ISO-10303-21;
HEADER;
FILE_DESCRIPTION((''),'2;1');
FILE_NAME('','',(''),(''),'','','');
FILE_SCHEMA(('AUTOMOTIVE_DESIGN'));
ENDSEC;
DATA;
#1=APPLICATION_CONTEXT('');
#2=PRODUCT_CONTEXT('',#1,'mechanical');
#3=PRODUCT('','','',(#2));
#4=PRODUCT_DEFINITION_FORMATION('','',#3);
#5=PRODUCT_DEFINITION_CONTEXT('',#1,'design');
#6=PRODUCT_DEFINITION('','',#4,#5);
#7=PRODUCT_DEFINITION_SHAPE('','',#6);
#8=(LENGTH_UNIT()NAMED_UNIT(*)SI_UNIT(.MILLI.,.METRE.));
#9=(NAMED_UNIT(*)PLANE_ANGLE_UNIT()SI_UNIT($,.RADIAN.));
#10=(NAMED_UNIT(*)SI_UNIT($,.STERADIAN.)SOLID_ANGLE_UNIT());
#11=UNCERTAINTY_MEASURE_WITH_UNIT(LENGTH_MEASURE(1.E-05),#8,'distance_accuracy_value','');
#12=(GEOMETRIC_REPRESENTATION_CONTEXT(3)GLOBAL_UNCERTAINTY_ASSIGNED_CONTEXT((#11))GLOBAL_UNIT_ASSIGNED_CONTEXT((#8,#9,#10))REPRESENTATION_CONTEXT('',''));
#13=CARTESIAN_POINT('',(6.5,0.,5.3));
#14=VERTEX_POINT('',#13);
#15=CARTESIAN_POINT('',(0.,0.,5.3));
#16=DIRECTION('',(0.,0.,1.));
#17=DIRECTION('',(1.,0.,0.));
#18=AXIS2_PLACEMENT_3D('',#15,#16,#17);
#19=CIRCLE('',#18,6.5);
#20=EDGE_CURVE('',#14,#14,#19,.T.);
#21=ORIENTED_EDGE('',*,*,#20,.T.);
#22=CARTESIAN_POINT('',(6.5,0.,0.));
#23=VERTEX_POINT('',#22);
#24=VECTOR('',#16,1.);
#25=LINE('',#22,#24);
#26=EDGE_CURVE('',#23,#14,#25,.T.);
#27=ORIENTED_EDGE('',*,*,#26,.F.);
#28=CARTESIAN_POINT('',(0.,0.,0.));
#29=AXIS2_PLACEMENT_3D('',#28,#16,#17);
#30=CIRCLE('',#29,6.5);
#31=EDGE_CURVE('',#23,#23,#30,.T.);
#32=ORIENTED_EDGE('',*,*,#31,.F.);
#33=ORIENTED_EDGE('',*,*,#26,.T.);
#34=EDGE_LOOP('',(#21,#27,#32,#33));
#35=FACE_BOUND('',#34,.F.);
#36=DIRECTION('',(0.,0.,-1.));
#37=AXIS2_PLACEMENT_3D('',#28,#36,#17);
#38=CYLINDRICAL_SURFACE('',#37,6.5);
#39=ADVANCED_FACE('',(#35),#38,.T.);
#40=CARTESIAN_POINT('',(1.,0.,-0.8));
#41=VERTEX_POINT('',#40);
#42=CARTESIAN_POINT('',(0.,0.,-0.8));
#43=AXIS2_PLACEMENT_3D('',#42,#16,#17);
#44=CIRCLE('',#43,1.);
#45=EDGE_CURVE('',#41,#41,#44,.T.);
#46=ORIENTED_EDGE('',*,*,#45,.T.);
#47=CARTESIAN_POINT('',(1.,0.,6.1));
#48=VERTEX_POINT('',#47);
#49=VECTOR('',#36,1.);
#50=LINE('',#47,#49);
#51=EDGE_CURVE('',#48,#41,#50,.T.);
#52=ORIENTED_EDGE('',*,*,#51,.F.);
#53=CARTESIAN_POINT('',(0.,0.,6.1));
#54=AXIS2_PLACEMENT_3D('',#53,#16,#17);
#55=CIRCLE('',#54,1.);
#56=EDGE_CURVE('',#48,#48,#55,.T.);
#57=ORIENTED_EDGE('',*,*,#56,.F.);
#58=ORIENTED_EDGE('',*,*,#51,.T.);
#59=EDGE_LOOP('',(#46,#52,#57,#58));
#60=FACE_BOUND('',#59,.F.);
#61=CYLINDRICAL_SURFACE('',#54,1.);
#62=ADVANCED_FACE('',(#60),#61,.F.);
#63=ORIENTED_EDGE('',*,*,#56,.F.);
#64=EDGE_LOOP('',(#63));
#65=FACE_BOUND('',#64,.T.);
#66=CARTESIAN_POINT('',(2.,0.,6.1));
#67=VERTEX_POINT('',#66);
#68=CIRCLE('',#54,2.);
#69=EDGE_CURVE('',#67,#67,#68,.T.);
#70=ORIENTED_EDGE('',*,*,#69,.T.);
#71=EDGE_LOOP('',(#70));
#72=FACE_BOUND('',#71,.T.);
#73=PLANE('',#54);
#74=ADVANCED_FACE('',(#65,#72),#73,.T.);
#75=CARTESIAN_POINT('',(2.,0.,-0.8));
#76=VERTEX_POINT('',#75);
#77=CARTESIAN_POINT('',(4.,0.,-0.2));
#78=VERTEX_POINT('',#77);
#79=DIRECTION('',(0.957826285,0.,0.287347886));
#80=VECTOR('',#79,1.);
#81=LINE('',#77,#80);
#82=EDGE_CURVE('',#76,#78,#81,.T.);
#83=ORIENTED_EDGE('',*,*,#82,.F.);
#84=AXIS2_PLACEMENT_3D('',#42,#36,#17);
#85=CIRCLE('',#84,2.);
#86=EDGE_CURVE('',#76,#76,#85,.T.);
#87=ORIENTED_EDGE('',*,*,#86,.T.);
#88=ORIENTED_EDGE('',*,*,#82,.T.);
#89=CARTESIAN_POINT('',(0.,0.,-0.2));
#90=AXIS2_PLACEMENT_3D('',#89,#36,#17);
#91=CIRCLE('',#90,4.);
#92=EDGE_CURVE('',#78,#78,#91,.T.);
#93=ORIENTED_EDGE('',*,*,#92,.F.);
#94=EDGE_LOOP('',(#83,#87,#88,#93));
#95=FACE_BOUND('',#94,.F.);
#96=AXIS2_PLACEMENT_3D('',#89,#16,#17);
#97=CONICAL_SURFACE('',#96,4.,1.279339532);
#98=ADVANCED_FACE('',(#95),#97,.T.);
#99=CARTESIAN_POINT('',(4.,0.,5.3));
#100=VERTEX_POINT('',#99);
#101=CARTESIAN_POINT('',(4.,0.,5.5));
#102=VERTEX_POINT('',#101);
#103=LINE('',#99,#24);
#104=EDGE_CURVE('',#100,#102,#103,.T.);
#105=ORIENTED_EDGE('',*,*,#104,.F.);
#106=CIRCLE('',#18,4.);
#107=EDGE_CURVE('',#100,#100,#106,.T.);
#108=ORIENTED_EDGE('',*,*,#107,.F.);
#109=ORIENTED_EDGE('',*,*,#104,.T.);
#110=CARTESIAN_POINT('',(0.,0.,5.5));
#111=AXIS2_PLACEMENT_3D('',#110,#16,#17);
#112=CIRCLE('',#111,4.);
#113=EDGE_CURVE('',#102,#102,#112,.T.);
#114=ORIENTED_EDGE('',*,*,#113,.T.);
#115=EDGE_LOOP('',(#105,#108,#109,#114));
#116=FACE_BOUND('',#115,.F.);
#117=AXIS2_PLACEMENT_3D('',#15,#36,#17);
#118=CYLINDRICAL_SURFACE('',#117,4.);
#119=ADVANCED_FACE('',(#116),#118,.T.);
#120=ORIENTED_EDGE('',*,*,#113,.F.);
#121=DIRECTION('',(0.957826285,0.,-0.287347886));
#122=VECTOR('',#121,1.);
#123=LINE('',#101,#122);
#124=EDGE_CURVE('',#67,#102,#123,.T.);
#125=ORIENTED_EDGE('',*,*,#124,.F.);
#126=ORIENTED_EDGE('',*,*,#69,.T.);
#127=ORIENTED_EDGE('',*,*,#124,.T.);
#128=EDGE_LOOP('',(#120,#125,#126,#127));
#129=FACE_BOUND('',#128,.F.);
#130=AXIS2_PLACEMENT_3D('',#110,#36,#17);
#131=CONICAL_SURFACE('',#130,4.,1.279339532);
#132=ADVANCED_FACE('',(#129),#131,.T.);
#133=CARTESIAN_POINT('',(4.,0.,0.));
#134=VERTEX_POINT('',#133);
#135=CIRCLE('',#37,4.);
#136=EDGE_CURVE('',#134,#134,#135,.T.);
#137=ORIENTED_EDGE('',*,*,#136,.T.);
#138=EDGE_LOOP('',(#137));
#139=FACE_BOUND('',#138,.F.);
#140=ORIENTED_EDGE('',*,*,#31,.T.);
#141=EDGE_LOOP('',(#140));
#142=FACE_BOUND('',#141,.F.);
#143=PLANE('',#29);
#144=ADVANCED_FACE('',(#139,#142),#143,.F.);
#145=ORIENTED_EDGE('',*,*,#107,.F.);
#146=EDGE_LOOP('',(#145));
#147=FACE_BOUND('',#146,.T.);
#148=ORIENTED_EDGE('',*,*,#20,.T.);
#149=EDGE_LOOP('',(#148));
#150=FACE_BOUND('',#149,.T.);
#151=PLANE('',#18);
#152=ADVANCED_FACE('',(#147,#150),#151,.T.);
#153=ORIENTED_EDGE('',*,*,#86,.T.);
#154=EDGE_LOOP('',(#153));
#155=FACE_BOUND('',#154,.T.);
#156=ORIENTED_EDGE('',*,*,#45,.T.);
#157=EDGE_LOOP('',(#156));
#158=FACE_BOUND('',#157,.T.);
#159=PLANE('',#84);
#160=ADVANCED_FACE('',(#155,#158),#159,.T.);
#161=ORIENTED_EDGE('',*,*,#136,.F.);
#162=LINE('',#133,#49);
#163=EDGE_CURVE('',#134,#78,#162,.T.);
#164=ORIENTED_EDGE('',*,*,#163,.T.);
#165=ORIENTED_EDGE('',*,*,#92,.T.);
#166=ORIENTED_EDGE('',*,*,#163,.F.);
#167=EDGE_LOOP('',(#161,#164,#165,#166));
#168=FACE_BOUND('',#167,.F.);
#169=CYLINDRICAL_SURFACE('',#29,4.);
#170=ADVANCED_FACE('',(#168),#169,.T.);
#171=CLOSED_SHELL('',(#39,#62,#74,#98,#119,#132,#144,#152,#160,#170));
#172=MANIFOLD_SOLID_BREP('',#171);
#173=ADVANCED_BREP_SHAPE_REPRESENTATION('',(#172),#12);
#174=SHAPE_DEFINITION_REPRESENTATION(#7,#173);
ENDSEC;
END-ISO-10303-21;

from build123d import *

# Parameters (mm, degrees)
F0_R       = 6.5
F1_DEPTH   = 5.3
F2_R       = 4
F3_DEPTH   = 0.8
F4_R       = 4
F5_DEPTH   = 0.8
F6_SIZE2   = 0.6
F6_SIZE    = 2
F6_2_SIZE2 = 0.6
F6_2_SIZE  = 2
F7_R       = 1
F8_DEPTH   = 6.9


with BuildPart() as f1:
    # F0 (on Top) → F1 (new body)
    with BuildSketch(Plane.XY):
        Circle(F0_R)
    extrude(amount=F1_DEPTH)

    # F2 (on face) → F3 (join)
    with BuildSketch(Plane.XY.offset(5.3)):
        Circle(F2_R)
    extrude(amount=F3_DEPTH)

    # F4 (on face) → F5 (join)
    with BuildSketch(Plane(origin=(0, 0, 0), x_dir=(1, 0, 0), z_dir=(0, 0, -1))):
        Circle(F4_R)
    extrude(amount=F5_DEPTH)

    # F6
    f6_edges = [f1.edges().sort_by_distance(p)[0] for p in [
        (-4, 0, -0.8),
    ]]
    f6_side = f1.faces().sort_by_distance((0, 0, -0.8))[0]
    chamfer(f6_edges, length=F6_SIZE, length2=F6_SIZE2, reference=f6_side)

    # F6#2
    f6_2_edges = [f1.edges().sort_by_distance(p)[0] for p in [
        (-4, 0, 6.1),
    ]]
    f6_2_side = f1.faces().sort_by_distance((0, 0, 6.1))[0]
    chamfer(f6_2_edges, length=F6_2_SIZE, length2=F6_2_SIZE2, reference=f6_2_side)

    # F7 (on face) → F8 (cut, through all)
    with BuildSketch(Plane.XY.offset(6.1)):
        Circle(F7_R)
    extrude(amount=-F8_DEPTH, mode=Mode.SUBTRACT)


solid = f1.part
